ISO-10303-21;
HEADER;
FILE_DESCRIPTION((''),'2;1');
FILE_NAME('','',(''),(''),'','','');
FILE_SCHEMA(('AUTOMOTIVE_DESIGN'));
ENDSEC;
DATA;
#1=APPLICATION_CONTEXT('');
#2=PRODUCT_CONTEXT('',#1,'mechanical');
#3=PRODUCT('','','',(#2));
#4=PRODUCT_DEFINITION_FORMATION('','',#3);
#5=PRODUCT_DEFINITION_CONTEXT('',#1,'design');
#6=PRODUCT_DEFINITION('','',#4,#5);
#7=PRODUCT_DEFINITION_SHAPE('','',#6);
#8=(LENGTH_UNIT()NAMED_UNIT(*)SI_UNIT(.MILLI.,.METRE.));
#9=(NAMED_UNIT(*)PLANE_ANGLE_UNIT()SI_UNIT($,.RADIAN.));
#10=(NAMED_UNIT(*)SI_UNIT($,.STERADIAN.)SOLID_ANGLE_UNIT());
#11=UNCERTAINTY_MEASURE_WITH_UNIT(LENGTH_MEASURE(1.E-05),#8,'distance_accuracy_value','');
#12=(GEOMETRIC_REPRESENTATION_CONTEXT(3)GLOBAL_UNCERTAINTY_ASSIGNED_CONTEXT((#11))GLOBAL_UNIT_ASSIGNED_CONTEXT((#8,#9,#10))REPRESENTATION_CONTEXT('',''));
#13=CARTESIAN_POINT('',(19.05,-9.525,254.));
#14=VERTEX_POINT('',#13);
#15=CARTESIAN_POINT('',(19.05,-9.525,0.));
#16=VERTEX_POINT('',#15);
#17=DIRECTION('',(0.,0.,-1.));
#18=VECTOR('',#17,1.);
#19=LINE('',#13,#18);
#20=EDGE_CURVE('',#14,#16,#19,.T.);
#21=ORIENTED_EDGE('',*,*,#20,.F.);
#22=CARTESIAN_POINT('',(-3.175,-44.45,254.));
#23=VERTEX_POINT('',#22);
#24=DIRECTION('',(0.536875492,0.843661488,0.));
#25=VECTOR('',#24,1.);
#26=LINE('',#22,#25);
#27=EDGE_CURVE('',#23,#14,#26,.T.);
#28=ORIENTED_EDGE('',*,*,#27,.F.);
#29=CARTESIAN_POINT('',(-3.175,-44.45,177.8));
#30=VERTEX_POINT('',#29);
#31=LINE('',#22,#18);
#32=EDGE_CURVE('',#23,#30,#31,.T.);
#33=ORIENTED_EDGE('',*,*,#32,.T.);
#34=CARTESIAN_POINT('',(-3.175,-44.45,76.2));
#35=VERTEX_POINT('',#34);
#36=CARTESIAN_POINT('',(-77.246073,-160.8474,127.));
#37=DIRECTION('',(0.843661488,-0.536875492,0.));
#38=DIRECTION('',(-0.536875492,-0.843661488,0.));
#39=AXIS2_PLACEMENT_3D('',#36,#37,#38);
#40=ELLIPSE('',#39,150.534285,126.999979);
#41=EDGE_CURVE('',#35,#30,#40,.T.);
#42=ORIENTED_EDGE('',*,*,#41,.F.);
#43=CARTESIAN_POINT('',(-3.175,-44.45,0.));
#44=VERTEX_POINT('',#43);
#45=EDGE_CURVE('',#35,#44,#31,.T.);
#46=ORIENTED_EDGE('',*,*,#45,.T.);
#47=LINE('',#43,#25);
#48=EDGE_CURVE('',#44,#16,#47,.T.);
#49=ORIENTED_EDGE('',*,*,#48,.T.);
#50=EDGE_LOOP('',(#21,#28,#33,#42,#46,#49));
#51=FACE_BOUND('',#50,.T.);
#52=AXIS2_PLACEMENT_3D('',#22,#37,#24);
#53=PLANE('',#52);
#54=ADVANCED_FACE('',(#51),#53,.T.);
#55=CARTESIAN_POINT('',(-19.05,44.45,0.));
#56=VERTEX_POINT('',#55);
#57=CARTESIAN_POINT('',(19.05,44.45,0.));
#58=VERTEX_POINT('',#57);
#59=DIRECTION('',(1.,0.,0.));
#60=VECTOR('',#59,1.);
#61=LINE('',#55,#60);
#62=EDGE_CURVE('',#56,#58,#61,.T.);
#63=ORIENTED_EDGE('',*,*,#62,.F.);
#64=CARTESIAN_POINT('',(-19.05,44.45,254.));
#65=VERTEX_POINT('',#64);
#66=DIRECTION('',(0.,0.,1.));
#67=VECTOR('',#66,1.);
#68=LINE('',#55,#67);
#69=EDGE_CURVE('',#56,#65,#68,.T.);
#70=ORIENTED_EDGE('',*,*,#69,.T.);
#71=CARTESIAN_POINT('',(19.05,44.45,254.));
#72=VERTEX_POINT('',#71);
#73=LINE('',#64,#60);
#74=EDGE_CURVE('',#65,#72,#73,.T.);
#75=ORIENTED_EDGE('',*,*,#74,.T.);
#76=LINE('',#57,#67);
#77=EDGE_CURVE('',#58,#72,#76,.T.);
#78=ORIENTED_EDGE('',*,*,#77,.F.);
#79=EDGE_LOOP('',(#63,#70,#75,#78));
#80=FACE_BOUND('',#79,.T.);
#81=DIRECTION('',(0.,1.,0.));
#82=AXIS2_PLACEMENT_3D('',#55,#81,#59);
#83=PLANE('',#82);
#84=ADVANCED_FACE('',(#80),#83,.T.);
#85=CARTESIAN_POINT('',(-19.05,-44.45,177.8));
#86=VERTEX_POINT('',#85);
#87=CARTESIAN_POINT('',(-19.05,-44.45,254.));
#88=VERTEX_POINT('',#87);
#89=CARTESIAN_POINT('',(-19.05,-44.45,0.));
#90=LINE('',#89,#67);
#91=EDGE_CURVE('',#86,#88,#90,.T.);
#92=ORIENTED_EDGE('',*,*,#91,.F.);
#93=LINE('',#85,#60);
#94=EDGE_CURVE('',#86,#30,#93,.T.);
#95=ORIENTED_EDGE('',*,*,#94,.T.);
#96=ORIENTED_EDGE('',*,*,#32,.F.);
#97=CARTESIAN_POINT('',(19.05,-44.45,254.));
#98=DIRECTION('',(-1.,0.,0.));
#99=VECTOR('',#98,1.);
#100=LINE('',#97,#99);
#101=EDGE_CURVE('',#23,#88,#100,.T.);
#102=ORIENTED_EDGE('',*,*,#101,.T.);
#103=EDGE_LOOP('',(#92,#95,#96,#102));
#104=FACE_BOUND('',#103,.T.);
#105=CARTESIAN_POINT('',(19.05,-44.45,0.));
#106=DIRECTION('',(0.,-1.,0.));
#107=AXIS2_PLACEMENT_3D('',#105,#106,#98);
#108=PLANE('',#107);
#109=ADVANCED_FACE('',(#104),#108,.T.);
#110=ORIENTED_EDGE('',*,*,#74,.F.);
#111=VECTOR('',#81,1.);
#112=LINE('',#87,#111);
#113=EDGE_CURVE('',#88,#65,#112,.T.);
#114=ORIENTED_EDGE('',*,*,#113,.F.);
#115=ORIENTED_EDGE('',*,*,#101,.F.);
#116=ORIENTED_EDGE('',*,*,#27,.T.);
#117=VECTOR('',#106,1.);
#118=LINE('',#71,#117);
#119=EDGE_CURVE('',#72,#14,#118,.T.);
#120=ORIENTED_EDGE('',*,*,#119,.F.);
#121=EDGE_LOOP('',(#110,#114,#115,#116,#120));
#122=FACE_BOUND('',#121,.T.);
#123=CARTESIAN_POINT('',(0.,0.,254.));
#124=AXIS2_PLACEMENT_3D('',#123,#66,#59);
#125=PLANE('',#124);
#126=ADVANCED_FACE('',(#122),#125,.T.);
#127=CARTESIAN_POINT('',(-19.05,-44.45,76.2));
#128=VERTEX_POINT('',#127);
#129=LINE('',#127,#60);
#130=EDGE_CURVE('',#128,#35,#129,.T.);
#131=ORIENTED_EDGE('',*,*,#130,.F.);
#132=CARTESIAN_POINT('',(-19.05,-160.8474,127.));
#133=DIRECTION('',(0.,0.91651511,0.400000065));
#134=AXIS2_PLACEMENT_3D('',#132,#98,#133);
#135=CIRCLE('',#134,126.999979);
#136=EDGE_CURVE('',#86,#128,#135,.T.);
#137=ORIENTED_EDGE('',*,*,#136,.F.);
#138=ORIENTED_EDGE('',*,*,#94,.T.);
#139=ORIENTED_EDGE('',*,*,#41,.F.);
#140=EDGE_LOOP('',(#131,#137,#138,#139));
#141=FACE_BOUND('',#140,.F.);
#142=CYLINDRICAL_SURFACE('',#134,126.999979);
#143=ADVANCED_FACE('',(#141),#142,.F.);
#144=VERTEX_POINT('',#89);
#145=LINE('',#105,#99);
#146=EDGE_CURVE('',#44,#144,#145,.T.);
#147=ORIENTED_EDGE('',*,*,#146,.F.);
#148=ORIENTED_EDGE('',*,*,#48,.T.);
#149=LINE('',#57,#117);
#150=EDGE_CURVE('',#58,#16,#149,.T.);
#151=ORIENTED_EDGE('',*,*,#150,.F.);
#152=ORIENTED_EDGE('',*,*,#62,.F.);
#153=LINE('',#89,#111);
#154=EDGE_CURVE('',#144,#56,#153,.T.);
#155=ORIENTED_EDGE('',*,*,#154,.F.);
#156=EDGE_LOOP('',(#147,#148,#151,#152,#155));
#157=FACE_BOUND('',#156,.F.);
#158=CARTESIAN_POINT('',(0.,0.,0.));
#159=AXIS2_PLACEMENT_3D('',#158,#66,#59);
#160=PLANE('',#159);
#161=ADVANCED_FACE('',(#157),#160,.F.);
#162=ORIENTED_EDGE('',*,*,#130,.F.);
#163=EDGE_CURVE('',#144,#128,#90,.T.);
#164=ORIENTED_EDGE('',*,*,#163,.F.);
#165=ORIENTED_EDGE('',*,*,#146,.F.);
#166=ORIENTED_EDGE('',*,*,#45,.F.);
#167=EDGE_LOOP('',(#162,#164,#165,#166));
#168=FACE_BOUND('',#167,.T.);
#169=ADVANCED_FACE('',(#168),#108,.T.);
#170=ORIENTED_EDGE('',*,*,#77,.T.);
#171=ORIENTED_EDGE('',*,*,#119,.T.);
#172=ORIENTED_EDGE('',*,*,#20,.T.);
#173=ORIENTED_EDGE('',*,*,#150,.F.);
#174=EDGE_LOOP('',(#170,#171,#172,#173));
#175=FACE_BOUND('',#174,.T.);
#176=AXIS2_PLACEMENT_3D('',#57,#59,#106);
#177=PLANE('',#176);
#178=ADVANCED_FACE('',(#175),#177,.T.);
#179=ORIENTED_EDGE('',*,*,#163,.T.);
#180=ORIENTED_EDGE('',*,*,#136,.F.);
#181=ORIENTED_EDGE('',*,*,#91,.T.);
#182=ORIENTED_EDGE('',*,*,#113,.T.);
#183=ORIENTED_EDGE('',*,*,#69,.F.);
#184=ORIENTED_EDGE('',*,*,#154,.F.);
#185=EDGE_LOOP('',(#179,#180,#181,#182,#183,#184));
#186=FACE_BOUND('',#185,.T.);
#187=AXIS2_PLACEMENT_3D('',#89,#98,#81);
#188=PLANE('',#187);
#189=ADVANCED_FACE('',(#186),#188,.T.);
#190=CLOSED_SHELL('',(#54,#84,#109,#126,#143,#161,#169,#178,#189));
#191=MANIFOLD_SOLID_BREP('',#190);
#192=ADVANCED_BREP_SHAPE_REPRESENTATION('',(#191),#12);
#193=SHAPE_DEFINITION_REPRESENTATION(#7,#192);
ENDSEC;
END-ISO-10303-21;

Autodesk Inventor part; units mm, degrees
ref_plane "YZ Plane" through (0, 0, 0) normal (1, 0, 0) x (0, 1, 0)
ref_plane "XZ Plane" through (0, 0, 0) normal (0, 1, 0) x (-1, 0, 0)
ref_plane "XY Plane" through (0, 0, 0) normal (0, 0, 1) x (1, 0, 0)
sketch "Sketch1" plane through (0, 0, 0) normal (0, 0, 1) x (1, 0, 0)
  line L0 (19.05, -44.45) -> (-19.05, -44.45)
  line L1 (-19.05, -44.45) -> (-19.05, 44.45)
  line L2 (-19.05, 44.45) -> (19.05, 44.45)
  line L3 (19.05, 44.45) -> (19.05, -44.45)
  line L4 (19.05, -44.45) -> (-19.05, 44.45) construction
  line L5 (-19.05, -44.45) -> (19.05, 44.45) construction
  point P0 (0, 0)
  dimension "d0" = 38.1
  dimension "d1" = 88.9
extrude "Extrusion1" add sketch "Sketch1" along normal blind 254
sketch "Sketch2" plane through (0, 0, 254) normal (0, 0, 1) x (1, 0, 0)
  line L0 (-19.05, -44.45) -> (19.05, -44.45) projected
  line L1 (19.05, -44.45) -> (19.05, 44.45) projected
  line L2 (-3.175, -44.45) -> (19.05, -9.525)
  point P0 (0, 0)
  dimension "d7" = 22.225
  dimension "d8" = 34.925
extrude "Extrusion2" cut sketch "Sketch2" against normal blind 254
sketch "Sketch3" plane through (-19.05, -44.45, 0) normal (-1, 0, 0) x (0, 0, 1)
  line L0 (0, 0) -> (254, 0) projected
  arc A0 (177.8, 0) -> (76.2, 0) centre (127, -116.3974) ccw
  point P0 (0, 44.45)
  dimension "d11" = 76.2
  dimension "d12" = 76.2
  dimension "d13" = 127
extrude "Extrusion3" cut sketch "Sketch3" against normal blind 254
equation "\"d12\" = d11"
properties part number "ShooterFrontMount"
